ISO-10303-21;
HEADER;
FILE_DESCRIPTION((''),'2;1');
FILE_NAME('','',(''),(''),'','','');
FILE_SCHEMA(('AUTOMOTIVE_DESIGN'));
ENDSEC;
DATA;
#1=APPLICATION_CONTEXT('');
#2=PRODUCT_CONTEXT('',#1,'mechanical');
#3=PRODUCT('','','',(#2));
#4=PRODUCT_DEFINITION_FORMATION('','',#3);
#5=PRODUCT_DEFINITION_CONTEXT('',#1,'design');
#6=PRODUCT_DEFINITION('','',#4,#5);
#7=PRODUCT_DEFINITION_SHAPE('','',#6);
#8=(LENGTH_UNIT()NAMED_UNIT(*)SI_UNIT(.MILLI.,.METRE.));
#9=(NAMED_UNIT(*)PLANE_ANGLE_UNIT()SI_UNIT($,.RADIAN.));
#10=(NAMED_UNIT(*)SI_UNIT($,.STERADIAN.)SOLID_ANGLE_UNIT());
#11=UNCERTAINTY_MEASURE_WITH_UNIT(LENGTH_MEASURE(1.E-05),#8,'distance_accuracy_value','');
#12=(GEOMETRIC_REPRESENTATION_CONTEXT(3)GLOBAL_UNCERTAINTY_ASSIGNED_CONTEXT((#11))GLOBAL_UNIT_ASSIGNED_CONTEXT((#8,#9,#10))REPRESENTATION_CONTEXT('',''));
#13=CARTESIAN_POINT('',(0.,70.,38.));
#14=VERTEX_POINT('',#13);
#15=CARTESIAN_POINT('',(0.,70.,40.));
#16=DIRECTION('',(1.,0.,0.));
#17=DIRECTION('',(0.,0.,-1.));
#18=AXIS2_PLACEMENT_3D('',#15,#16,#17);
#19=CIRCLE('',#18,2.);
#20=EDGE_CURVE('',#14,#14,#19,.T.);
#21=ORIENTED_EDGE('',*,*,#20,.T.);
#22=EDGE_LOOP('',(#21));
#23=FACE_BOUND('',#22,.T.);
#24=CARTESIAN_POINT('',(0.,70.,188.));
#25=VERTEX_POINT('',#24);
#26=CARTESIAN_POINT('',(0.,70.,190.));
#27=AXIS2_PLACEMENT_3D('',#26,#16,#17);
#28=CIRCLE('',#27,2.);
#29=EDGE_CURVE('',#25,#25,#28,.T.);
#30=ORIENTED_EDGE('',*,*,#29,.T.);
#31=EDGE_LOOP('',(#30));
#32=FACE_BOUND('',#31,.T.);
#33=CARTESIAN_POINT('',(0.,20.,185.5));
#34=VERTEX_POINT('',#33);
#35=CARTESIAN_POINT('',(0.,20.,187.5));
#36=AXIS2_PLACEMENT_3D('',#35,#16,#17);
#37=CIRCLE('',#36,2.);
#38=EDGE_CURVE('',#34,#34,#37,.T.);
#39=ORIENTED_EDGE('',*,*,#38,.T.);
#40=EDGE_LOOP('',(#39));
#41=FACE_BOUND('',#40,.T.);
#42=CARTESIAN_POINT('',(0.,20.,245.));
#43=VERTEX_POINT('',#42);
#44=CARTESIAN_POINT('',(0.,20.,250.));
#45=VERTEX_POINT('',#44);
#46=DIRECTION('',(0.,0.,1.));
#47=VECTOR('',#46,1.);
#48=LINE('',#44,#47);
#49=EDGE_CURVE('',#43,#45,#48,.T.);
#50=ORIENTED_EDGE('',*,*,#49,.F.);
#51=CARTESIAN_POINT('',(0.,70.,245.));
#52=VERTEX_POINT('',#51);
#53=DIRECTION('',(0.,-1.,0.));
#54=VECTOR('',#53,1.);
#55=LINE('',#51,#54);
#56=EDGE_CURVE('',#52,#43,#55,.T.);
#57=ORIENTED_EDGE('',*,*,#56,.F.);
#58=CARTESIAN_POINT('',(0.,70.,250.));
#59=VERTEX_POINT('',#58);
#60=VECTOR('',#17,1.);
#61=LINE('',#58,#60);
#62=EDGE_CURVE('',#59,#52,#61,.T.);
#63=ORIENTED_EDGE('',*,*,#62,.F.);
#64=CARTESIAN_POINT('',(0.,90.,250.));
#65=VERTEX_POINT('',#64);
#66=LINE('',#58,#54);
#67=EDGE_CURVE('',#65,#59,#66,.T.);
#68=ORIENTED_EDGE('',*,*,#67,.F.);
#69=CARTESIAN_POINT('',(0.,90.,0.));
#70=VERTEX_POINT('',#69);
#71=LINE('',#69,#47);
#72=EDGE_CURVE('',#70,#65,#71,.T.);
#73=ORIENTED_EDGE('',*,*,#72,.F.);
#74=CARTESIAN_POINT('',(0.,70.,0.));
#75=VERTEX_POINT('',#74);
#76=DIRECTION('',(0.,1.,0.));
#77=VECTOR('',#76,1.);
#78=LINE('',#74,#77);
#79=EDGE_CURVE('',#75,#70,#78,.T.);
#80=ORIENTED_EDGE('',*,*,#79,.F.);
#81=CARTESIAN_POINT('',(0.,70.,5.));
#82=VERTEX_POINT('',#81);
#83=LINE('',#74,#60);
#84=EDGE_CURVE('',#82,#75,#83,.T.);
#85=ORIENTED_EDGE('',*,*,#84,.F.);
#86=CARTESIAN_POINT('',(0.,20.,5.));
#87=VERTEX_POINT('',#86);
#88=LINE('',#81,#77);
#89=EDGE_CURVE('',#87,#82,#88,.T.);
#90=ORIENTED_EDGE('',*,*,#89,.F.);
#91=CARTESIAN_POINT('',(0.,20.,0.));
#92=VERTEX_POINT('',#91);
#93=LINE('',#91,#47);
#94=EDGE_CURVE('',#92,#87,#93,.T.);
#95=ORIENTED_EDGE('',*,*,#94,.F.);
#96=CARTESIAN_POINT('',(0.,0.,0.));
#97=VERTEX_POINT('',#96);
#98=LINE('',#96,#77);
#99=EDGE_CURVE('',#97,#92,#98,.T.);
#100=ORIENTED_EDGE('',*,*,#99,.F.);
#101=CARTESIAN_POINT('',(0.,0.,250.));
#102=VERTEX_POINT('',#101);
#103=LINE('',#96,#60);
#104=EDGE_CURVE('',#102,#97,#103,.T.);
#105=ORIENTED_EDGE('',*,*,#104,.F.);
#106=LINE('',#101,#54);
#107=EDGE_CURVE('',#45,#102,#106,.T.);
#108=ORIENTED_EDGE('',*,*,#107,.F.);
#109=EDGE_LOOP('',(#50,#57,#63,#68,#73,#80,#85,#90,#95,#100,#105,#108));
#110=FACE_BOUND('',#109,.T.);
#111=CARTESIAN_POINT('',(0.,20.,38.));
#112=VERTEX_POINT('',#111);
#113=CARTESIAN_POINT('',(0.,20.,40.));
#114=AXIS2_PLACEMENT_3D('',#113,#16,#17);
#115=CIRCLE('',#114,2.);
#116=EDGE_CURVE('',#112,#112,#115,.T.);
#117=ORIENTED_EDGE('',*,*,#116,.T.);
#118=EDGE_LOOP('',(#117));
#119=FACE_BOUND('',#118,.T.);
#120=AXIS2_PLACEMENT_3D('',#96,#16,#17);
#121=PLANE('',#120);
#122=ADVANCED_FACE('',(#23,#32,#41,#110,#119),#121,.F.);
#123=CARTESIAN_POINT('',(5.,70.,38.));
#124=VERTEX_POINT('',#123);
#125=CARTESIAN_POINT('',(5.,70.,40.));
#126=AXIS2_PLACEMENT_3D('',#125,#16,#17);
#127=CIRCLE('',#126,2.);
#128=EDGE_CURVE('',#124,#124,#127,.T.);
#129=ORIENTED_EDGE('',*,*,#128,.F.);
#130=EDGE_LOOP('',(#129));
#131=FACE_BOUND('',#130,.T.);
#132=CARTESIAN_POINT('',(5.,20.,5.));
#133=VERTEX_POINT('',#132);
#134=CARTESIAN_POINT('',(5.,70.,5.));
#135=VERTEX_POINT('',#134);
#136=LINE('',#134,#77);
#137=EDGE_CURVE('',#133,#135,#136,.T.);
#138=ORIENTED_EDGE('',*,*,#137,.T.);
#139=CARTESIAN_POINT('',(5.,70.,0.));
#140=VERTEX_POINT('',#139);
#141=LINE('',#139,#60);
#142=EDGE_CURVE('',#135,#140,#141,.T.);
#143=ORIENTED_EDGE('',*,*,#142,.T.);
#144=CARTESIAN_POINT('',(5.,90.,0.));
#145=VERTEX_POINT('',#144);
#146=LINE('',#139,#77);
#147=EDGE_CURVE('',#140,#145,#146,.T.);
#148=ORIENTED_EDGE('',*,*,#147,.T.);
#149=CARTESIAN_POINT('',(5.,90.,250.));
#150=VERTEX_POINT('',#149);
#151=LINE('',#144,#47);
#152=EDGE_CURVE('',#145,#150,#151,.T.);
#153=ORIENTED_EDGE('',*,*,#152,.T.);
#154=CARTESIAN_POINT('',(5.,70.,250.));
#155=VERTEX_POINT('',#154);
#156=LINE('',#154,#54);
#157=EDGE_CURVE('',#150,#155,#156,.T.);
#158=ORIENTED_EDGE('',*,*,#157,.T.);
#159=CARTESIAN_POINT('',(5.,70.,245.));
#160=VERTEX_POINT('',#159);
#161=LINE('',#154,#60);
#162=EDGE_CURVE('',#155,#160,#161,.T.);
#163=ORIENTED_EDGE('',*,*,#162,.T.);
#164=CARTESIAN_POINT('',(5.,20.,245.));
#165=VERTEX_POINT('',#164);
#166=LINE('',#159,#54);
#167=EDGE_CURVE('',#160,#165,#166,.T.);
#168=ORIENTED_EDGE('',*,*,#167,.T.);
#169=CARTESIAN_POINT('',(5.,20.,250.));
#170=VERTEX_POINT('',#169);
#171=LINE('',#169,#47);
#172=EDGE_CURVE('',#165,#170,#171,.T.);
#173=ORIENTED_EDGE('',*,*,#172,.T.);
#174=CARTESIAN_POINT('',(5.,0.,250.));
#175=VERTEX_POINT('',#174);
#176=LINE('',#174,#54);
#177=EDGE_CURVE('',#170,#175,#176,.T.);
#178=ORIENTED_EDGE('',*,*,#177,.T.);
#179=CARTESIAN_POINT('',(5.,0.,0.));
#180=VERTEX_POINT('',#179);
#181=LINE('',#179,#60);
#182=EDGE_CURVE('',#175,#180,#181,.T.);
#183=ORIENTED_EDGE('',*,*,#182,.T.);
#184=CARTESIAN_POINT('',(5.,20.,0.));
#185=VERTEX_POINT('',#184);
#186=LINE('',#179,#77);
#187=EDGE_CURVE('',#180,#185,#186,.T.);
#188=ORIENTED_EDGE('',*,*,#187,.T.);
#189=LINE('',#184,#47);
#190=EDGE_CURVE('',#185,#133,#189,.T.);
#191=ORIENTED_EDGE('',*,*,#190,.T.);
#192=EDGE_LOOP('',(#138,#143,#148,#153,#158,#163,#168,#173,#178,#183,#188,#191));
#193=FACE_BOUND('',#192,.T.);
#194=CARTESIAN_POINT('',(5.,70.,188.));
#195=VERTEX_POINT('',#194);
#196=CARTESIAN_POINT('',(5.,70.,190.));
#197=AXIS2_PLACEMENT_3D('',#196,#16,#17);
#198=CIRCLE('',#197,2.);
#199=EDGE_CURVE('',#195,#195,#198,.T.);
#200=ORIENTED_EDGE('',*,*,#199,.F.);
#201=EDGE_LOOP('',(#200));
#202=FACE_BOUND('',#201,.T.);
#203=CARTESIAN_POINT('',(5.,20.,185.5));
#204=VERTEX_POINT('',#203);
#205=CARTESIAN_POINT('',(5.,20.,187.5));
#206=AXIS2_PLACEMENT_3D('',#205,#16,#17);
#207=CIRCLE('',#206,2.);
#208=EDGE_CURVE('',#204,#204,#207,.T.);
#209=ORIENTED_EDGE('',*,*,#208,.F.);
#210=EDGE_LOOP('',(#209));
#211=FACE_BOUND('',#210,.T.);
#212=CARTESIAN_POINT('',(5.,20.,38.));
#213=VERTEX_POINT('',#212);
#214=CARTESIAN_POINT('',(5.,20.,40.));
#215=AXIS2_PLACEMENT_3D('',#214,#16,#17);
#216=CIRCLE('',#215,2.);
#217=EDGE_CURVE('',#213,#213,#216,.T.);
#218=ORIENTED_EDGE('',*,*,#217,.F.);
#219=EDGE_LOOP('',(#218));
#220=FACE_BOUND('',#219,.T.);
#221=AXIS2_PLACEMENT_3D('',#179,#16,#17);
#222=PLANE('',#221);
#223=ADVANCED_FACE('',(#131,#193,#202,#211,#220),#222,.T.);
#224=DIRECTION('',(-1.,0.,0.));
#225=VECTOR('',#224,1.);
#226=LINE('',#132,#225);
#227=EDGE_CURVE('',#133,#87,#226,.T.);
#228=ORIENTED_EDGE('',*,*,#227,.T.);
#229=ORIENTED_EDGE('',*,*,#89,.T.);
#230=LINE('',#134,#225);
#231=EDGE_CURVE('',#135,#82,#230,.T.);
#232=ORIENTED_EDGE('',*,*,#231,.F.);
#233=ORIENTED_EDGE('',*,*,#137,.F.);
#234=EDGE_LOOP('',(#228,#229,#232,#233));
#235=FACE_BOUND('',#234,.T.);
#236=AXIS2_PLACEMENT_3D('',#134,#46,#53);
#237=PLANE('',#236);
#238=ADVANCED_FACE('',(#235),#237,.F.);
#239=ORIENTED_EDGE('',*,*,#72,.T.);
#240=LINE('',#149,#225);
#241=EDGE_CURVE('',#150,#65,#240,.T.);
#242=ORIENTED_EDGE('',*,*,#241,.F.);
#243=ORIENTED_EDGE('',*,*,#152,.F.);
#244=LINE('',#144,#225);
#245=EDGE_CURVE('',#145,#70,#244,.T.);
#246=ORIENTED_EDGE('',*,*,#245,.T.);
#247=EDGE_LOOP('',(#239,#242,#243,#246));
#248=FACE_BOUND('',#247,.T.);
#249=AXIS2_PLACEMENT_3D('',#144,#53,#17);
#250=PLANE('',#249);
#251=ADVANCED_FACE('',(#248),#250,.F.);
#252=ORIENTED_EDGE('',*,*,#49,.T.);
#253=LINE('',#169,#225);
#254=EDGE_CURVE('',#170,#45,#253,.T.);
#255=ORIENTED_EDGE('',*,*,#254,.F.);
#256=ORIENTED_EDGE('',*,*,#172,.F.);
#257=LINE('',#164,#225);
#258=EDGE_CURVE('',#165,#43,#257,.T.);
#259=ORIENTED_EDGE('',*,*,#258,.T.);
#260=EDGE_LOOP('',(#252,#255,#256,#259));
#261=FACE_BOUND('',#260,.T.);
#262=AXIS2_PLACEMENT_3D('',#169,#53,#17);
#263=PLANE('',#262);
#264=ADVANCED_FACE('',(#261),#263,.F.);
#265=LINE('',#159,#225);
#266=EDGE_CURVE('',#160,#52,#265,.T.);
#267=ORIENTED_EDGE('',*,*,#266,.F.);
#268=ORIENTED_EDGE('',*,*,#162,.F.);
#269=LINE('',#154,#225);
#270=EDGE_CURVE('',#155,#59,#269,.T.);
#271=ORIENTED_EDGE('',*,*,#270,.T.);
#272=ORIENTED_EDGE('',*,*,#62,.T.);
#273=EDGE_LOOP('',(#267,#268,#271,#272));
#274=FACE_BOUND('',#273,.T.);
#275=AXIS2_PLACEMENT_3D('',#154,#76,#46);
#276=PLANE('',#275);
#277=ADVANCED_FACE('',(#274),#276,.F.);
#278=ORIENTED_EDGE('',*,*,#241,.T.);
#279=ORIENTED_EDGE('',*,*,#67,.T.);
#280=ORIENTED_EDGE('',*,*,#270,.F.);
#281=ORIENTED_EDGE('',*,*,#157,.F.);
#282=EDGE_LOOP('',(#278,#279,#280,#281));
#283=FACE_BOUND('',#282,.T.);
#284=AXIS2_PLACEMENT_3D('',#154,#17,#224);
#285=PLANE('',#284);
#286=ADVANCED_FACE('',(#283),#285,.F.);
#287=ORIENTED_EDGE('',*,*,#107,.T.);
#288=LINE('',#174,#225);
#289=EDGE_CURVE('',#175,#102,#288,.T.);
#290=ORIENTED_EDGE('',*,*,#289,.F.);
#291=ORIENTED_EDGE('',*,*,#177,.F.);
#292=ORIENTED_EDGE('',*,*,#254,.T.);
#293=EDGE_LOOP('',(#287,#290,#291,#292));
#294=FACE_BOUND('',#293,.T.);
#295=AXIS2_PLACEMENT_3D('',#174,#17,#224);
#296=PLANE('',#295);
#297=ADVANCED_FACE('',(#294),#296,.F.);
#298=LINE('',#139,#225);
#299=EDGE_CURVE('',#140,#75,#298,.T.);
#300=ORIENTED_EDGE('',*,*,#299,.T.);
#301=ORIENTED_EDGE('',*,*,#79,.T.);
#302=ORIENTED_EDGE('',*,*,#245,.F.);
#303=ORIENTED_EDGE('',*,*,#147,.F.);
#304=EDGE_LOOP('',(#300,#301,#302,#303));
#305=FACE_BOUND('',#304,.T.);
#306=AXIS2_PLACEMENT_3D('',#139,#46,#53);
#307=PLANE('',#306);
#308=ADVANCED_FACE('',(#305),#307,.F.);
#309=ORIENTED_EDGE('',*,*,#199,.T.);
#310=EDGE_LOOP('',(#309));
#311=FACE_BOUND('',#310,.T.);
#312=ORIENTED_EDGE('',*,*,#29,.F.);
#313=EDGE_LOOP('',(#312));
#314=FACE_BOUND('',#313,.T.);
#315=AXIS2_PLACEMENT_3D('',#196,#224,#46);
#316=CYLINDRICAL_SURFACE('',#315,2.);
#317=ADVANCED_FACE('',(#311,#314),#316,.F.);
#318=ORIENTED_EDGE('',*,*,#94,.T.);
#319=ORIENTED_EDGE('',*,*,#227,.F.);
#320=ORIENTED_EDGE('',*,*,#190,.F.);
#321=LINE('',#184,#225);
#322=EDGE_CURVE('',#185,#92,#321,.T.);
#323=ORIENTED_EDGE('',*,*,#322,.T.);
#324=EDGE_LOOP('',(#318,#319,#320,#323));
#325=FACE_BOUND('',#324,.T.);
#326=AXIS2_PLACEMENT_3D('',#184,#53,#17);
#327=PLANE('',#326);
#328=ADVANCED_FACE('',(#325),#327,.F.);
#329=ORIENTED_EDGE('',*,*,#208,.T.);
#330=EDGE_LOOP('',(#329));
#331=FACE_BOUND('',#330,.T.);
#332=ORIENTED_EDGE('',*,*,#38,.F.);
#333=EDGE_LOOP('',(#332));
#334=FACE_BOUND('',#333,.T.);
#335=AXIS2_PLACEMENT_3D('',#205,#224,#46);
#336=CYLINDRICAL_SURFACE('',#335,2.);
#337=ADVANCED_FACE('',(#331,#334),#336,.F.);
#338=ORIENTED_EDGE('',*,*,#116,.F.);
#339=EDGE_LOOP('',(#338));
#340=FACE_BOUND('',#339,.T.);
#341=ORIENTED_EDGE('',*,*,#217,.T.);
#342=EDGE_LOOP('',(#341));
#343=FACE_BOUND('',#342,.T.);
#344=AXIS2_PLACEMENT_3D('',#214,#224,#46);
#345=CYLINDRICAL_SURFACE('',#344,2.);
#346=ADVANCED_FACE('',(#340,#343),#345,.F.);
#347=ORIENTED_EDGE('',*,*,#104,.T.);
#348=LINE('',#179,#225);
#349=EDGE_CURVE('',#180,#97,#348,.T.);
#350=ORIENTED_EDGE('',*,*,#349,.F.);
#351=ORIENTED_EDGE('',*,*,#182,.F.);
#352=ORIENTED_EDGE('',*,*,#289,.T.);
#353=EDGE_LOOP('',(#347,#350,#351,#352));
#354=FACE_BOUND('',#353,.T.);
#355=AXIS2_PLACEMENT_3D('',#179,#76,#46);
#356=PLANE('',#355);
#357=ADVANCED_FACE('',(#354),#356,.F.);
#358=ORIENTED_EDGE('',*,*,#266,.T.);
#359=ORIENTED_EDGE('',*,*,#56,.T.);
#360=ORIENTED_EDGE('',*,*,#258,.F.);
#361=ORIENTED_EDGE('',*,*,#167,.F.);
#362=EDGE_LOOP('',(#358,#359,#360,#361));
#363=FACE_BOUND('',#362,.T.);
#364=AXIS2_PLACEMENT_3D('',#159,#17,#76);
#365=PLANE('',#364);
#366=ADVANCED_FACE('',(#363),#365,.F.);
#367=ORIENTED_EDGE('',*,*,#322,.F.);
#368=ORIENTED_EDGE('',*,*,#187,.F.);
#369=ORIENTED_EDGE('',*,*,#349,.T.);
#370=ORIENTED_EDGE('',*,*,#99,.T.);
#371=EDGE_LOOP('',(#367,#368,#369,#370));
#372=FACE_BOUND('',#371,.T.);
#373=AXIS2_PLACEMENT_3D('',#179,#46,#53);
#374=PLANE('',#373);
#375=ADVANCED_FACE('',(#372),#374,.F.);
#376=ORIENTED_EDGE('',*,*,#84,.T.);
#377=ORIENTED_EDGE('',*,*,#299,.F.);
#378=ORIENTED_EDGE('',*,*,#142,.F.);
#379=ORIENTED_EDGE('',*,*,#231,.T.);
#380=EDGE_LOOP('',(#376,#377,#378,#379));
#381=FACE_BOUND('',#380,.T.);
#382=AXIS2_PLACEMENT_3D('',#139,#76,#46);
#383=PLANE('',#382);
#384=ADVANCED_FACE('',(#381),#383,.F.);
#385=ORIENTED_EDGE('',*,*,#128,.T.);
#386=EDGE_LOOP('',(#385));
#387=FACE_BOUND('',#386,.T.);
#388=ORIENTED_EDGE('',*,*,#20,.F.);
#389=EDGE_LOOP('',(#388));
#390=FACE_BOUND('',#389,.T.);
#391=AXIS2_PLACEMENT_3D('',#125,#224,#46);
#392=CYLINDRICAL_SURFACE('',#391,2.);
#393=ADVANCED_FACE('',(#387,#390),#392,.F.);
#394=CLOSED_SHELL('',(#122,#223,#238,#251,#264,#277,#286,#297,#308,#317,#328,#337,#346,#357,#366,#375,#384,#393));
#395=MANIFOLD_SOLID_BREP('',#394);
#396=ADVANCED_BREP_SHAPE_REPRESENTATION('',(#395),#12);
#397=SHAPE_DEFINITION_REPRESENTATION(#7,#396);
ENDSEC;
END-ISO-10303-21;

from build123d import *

# Parameters (mm, degrees)
SKETCH_1_R      = 2
EXTRUDE_1_DEPTH = 5


with BuildPart() as part:
    # 草图1 → 凸台-拉伸1 (new body)
    with BuildSketch(Plane(origin=(0, 0, 0), x_dir=(0, 0, -1), z_dir=(1, 0, 0))):
        Polygon((0, 0), (-250, 0), (-250, 20), (-245, 20), (-245, 70), (-250, 70), (-250, 90), (0, 90), (0, 70), (-5, 70), (-5, 20), (0, 20), align=None)
        with Locations((-40, 70)):
            Circle(SKETCH_1_R, mode=Mode.SUBTRACT)
        with Locations((-40, 20)):
            Circle(SKETCH_1_R, mode=Mode.SUBTRACT)
        with Locations((-187.5, 20)):
            Circle(SKETCH_1_R, mode=Mode.SUBTRACT)
        with Locations((-190, 70)):
            Circle(SKETCH_1_R, mode=Mode.SUBTRACT)
    extrude(amount=EXTRUDE_1_DEPTH)


solid = part.part
